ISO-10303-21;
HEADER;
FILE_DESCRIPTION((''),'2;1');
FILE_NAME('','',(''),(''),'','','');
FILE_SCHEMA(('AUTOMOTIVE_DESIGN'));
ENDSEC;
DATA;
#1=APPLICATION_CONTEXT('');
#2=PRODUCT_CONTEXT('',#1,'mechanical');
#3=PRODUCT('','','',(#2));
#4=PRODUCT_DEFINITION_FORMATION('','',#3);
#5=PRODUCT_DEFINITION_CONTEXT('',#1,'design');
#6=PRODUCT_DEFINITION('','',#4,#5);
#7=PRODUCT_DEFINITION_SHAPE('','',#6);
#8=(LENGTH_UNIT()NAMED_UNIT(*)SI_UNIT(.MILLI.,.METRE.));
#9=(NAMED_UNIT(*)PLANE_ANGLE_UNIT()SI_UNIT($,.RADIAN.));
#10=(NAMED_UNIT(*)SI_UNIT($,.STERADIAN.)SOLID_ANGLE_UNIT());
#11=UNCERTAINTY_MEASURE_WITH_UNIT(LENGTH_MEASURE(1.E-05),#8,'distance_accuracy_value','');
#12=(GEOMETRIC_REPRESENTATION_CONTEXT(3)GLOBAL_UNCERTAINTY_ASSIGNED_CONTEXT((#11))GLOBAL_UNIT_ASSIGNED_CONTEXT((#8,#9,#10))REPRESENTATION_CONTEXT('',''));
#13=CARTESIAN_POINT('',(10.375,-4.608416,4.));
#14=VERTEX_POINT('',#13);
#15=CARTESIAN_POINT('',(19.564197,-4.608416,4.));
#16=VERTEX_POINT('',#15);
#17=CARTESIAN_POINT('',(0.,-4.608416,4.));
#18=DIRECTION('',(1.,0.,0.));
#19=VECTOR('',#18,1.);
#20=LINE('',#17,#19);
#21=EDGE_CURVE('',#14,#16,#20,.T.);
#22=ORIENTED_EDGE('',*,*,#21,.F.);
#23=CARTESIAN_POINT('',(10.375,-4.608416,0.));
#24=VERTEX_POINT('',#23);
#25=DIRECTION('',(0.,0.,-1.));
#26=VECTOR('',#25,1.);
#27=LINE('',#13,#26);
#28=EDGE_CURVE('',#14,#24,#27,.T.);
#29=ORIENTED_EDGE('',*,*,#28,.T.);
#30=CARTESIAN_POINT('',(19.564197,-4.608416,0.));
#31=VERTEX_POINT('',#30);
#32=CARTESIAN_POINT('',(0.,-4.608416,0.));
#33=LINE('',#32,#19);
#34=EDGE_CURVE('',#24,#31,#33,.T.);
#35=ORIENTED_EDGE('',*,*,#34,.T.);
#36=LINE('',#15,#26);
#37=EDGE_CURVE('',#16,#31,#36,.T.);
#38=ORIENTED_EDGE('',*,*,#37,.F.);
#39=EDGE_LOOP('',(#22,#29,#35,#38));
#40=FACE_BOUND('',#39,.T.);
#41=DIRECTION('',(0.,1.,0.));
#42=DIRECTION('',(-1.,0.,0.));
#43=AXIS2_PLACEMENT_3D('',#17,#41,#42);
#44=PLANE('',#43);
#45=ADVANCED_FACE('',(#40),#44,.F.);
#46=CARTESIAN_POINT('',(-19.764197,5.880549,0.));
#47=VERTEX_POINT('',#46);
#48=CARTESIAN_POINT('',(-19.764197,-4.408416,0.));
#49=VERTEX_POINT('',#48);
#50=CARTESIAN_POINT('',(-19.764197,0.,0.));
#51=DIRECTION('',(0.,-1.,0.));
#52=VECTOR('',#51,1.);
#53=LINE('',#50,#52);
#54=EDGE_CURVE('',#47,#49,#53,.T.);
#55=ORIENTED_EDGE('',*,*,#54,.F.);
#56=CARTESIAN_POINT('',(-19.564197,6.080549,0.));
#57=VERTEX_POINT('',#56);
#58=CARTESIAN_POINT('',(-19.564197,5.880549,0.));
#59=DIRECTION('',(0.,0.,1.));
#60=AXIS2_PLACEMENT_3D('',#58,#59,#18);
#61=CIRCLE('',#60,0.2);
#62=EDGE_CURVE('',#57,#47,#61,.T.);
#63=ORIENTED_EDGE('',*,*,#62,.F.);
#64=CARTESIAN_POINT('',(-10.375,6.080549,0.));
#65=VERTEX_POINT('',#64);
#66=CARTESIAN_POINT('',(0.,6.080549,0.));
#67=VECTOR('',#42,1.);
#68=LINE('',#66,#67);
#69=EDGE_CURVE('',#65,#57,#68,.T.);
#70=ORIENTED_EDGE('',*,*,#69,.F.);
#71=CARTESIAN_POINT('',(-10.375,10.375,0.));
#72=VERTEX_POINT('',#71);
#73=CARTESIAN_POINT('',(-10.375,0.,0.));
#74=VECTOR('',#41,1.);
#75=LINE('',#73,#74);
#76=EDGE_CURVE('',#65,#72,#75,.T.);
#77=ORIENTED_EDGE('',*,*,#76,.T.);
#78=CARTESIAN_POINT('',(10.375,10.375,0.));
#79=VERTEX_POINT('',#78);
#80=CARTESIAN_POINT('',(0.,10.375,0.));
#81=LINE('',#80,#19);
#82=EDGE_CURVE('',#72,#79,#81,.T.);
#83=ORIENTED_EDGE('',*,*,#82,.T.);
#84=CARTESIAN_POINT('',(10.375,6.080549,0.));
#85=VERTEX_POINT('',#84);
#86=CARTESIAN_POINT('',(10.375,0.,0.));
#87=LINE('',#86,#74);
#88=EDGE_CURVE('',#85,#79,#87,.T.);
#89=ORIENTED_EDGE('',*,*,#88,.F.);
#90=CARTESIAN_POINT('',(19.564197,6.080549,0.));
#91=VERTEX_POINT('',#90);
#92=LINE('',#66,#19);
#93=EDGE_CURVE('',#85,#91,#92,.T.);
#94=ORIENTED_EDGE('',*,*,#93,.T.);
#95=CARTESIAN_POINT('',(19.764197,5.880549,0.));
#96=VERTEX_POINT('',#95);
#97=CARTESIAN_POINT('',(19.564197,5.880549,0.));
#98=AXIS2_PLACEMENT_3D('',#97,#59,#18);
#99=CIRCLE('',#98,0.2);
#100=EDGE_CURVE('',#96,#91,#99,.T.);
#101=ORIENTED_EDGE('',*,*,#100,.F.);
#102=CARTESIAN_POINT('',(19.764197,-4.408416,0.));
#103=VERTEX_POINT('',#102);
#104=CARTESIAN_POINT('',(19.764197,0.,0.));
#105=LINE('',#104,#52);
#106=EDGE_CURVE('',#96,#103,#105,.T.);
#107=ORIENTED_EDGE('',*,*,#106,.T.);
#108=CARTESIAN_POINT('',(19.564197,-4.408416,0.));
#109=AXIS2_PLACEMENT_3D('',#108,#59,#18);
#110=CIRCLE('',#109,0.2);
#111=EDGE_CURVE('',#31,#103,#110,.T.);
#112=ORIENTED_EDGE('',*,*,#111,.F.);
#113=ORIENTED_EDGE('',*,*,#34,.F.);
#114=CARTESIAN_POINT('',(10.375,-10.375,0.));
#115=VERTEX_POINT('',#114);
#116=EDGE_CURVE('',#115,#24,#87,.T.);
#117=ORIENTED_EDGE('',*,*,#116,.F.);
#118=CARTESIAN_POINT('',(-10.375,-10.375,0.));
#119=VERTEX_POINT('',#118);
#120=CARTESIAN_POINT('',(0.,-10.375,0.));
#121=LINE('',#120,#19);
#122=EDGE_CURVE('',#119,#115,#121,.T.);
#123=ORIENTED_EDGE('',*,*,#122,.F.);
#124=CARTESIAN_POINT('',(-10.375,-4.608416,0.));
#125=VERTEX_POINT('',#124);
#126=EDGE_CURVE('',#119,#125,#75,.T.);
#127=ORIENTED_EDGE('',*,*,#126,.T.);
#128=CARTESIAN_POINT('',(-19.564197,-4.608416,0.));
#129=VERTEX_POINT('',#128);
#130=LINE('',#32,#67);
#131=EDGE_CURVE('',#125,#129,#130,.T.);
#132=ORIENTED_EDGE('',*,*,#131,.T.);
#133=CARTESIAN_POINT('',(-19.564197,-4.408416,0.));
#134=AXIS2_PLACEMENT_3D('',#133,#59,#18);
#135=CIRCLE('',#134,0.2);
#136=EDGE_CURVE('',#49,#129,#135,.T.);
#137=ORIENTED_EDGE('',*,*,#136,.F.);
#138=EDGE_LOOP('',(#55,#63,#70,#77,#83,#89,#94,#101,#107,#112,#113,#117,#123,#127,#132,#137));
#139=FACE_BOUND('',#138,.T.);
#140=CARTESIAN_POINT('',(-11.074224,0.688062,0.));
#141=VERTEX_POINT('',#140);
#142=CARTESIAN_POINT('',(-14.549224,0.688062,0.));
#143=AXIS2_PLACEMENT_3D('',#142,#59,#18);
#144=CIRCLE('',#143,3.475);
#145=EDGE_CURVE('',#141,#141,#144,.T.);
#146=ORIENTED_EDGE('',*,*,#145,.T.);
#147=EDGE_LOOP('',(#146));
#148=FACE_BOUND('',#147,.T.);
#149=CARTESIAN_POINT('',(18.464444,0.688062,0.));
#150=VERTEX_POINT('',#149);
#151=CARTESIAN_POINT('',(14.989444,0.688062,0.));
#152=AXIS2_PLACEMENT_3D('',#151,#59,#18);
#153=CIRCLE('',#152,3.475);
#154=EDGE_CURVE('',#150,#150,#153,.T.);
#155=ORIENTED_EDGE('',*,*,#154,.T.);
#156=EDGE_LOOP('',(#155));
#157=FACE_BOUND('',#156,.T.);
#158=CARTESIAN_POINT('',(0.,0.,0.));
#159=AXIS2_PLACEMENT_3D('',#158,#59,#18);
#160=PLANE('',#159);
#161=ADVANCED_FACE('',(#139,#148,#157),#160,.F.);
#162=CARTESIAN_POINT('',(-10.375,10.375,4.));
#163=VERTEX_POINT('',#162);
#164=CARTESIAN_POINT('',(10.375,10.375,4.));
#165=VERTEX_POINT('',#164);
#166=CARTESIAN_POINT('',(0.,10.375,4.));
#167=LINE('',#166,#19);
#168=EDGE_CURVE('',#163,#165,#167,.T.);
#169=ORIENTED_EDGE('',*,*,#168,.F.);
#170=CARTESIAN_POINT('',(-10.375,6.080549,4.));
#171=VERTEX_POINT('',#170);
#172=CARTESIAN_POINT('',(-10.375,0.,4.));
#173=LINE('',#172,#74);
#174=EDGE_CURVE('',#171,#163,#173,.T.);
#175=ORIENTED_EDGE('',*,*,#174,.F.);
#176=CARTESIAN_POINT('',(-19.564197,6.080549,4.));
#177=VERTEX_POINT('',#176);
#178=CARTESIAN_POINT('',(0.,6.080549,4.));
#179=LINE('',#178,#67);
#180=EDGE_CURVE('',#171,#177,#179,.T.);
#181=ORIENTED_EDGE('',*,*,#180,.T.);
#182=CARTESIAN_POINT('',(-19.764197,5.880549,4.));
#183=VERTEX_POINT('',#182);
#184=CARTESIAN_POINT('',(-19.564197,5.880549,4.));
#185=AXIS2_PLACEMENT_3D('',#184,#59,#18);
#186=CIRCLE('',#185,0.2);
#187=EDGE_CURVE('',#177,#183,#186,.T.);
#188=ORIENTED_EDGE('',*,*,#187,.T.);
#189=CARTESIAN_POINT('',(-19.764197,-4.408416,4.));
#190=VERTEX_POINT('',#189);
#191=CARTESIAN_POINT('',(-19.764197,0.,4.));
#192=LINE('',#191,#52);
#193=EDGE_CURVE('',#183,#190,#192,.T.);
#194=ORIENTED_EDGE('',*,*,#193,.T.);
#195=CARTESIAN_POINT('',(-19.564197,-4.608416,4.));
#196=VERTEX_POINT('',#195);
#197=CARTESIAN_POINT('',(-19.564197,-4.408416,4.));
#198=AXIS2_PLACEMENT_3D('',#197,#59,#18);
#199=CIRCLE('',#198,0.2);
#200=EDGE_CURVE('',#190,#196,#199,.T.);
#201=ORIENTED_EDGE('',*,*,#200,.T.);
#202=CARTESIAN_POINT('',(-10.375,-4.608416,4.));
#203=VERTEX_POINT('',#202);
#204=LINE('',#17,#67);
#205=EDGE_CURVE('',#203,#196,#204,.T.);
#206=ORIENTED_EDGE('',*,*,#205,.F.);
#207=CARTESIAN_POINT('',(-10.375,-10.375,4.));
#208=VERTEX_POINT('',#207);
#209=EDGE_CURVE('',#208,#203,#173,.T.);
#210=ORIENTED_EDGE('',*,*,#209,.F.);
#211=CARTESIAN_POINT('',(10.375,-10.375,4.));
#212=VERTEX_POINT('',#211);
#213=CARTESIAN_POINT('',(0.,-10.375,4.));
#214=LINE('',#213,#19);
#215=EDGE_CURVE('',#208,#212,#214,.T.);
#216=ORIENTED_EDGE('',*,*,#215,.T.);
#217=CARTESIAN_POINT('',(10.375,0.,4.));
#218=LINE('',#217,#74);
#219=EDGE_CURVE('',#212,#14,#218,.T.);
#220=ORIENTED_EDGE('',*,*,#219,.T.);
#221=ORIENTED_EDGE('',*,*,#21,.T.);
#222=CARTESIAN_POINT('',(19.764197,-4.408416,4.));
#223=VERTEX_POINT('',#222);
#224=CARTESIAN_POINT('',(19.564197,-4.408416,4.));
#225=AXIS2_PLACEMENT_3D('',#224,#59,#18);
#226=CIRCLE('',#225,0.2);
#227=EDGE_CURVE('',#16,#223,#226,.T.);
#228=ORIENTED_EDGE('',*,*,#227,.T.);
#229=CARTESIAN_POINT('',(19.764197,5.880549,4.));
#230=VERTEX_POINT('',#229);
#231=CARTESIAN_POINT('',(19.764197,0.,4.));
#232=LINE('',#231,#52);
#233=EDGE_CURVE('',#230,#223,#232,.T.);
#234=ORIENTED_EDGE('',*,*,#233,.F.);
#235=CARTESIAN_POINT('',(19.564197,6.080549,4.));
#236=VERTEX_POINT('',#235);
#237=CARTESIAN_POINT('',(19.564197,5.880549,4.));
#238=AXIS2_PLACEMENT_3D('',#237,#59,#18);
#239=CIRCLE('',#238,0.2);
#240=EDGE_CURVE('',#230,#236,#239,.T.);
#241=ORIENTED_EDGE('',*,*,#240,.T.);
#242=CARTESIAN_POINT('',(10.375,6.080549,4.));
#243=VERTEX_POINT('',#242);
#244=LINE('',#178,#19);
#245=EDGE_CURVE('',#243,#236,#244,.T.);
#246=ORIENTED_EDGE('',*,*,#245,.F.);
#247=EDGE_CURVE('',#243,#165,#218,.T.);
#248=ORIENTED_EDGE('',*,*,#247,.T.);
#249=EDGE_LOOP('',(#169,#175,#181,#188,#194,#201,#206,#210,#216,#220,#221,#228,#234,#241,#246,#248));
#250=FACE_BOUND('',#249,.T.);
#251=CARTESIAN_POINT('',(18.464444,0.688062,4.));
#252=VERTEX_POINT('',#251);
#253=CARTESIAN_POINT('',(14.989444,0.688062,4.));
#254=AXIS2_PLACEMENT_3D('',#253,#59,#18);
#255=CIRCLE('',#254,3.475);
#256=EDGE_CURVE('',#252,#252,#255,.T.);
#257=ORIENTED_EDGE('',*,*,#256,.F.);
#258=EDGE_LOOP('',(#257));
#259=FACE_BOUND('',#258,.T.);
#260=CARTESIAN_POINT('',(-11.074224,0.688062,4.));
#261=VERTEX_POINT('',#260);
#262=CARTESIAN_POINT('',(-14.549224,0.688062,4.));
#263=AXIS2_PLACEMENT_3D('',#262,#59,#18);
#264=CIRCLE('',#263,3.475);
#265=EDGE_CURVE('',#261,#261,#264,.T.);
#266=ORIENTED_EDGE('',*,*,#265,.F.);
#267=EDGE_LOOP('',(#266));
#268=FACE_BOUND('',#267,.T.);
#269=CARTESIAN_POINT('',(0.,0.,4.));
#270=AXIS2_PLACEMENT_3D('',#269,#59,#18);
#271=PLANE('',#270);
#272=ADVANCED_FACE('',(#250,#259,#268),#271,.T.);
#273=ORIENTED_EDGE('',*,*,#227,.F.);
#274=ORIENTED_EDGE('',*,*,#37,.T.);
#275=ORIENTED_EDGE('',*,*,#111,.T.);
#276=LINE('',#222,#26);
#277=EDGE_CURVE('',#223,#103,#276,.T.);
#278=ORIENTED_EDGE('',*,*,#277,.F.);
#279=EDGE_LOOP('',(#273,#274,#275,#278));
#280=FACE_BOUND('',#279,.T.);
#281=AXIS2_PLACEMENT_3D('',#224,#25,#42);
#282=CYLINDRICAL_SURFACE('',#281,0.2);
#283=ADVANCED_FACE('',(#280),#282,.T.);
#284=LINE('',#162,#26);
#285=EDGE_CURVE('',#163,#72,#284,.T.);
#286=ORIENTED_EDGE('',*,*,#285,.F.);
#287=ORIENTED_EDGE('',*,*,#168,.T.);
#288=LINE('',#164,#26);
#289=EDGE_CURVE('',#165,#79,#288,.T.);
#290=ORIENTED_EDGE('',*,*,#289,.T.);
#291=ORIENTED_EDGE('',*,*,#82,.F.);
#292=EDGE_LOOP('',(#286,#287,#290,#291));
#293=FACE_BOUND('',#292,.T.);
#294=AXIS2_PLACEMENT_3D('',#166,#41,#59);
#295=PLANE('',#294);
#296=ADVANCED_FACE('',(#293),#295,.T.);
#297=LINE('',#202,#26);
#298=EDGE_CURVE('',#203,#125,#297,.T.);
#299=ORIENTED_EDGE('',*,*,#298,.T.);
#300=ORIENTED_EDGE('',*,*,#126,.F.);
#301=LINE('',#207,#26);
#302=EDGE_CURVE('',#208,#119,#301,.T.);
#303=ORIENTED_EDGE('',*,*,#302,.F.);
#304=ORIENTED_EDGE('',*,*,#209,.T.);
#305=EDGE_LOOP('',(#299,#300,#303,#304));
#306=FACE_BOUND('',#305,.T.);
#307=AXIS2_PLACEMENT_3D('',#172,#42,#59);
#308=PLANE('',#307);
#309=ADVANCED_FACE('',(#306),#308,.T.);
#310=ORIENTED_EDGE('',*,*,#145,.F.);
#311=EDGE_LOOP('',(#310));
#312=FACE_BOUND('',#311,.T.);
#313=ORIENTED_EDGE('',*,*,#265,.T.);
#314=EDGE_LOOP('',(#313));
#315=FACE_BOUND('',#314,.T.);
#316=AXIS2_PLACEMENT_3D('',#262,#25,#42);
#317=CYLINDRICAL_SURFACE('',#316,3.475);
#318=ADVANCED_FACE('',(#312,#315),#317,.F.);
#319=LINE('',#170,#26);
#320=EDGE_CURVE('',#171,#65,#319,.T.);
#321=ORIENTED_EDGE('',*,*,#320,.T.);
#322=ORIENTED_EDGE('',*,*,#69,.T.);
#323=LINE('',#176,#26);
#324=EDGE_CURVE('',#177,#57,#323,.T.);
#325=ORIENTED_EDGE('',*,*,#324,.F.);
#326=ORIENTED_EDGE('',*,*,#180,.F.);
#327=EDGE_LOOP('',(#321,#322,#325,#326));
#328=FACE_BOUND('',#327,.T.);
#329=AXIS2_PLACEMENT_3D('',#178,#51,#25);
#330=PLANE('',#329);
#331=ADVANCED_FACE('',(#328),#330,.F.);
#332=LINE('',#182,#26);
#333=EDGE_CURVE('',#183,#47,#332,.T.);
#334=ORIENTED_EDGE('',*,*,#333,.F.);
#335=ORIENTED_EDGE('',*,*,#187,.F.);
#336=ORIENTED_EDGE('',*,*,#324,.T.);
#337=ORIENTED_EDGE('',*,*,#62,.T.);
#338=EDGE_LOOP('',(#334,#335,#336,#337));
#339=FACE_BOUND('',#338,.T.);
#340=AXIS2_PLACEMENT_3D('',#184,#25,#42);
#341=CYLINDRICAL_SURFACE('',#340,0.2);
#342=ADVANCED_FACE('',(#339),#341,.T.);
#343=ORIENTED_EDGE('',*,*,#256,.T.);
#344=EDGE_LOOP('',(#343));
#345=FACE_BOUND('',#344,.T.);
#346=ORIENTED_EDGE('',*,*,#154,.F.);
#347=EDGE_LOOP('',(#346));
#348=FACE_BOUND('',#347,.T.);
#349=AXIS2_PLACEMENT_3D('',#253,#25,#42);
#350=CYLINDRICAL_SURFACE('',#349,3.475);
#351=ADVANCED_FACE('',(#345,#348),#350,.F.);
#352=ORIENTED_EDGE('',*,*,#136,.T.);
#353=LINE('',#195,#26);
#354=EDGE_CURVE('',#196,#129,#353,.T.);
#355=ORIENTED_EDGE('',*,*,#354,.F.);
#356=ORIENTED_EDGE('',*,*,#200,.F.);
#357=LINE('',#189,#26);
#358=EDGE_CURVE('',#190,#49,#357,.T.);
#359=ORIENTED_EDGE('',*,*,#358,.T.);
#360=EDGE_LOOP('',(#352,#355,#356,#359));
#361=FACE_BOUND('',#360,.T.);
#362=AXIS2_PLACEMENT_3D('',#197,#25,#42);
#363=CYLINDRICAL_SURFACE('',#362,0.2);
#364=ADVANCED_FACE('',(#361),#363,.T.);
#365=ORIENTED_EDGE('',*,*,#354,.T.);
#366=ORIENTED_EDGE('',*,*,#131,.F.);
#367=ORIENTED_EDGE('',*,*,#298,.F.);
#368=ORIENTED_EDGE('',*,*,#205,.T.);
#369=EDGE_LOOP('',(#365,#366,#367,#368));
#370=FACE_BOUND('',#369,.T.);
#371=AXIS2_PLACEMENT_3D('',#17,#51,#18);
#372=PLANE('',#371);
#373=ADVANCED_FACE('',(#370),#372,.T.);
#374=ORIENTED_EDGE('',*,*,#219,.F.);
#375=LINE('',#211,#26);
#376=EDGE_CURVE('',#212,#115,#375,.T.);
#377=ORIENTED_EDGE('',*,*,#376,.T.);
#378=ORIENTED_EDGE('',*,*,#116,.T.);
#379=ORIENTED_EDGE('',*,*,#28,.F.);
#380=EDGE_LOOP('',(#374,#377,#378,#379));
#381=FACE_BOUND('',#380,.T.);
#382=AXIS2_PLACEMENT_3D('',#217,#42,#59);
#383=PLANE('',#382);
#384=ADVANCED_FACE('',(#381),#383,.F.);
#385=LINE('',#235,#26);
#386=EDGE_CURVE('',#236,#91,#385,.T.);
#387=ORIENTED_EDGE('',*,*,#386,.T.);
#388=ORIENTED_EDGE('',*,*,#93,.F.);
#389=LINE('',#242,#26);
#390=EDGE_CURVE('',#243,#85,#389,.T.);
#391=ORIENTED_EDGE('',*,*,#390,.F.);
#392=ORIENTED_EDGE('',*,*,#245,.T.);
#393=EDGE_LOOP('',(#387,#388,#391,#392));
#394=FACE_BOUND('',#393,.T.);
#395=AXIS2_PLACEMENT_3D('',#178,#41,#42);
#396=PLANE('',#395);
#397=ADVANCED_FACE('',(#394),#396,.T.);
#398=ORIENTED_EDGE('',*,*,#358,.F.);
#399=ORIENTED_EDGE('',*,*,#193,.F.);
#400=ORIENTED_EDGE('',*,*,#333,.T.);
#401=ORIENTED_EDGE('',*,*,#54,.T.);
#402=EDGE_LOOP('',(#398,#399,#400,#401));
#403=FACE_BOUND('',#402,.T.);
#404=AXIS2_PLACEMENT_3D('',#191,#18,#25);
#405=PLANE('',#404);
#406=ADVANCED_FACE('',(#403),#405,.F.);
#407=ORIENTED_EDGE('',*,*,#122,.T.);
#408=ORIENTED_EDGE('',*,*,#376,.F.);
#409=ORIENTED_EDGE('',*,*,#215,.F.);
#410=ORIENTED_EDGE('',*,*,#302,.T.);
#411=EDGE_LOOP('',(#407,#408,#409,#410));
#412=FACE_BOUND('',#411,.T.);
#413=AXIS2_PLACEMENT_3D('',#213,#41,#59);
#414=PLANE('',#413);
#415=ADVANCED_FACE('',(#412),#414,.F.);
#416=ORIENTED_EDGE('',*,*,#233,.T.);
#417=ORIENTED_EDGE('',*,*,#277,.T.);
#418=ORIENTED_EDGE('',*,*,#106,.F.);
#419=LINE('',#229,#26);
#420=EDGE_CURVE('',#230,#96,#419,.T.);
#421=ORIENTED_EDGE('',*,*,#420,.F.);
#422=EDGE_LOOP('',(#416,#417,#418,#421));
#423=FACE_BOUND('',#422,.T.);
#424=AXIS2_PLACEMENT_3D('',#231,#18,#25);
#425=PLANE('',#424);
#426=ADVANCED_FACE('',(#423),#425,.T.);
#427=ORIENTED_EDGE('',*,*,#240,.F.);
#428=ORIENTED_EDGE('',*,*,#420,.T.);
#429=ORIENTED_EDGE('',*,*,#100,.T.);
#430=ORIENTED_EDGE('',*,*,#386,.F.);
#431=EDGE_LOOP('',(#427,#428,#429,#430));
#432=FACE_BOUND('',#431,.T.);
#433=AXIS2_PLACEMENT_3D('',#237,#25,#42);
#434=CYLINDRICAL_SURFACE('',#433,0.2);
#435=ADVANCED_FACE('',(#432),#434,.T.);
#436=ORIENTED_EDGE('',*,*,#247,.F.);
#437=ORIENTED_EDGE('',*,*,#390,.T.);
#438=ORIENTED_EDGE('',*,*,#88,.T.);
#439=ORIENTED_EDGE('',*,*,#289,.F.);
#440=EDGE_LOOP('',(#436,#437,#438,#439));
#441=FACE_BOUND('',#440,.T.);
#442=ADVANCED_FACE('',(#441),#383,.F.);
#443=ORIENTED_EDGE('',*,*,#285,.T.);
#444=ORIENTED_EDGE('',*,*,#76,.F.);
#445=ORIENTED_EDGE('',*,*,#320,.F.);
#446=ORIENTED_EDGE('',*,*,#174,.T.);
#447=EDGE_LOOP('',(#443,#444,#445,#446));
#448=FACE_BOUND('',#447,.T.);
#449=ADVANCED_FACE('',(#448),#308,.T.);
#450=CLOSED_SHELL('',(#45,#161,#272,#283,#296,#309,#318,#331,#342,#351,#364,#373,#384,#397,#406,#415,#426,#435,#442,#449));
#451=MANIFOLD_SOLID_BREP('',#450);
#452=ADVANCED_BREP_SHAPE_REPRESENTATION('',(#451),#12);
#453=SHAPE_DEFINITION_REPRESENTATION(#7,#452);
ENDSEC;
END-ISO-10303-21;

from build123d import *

# Parameters (mm, degrees)
SKETCH1_R           = 3.475
BOSS_EXTRUDE1_DEPTH = 4


with BuildPart() as part:
    # Sketch1 → Boss-Extrude1 (new body)
    # profile 1 of 3: a face of its own
    with BuildSketch(Plane.XY):
        with BuildLine():
            Line((-10.375, 6.080549062), (-19.564197283, 6.080549062))
            ThreePointArc((-19.564197283, 6.080549062), (-19.70561864, 6.021970418), (-19.764197283, 5.880549062))
            Line((-19.764197283, 5.880549062), (-19.764197283, -4.408416131))
            ThreePointArc((-19.764197283, -4.408416131), (-19.70561864, -4.549837487), (-19.564197283, -4.608416131))
            Line((-19.564197283, -4.608416131), (-10.375, -4.608416131))
            Line((-10.375, -4.608416131), (-10.375, 6.080549062))
        make_face()
        with Locations((-14.549223744, 0.688062131)):
            Circle(SKETCH1_R, mode=Mode.SUBTRACT)
    # profile 2 of 3: a face of its own
    with BuildSketch(Plane.XY):
        Polygon((-10.375, 10.375), (-10.375, 6.080549062), (-10.375, -4.608416131), (-10.375, -10.375), (10.375, -10.375), (10.375, -4.608416131), (10.375, 6.080549062), (10.375, 10.375), align=None)
    # profile 3 of 3: a face of its own
    with BuildSketch(Plane.XY):
        with BuildLine():
            Line((19.764197283, 5.880549062), (19.764197283, -4.408416131))
            ThreePointArc((19.764197283, -4.408416131), (19.70561864, -4.549837487), (19.564197283, -4.608416131))
            Line((19.564197283, -4.608416131), (10.375, -4.608416131))
            Line((10.375, -4.608416131), (10.375, 6.080549062))
            Line((10.375, 6.080549062), (19.564197283, 6.080549062))
            ThreePointArc((19.564197283, 6.080549062), (19.70561864, 6.021970418), (19.764197283, 5.880549062))
        make_face()
        with Locations((14.989443539, 0.688062131)):
            Circle(SKETCH1_R, mode=Mode.SUBTRACT)
    extrude(amount=BOSS_EXTRUDE1_DEPTH)


solid = part.part
